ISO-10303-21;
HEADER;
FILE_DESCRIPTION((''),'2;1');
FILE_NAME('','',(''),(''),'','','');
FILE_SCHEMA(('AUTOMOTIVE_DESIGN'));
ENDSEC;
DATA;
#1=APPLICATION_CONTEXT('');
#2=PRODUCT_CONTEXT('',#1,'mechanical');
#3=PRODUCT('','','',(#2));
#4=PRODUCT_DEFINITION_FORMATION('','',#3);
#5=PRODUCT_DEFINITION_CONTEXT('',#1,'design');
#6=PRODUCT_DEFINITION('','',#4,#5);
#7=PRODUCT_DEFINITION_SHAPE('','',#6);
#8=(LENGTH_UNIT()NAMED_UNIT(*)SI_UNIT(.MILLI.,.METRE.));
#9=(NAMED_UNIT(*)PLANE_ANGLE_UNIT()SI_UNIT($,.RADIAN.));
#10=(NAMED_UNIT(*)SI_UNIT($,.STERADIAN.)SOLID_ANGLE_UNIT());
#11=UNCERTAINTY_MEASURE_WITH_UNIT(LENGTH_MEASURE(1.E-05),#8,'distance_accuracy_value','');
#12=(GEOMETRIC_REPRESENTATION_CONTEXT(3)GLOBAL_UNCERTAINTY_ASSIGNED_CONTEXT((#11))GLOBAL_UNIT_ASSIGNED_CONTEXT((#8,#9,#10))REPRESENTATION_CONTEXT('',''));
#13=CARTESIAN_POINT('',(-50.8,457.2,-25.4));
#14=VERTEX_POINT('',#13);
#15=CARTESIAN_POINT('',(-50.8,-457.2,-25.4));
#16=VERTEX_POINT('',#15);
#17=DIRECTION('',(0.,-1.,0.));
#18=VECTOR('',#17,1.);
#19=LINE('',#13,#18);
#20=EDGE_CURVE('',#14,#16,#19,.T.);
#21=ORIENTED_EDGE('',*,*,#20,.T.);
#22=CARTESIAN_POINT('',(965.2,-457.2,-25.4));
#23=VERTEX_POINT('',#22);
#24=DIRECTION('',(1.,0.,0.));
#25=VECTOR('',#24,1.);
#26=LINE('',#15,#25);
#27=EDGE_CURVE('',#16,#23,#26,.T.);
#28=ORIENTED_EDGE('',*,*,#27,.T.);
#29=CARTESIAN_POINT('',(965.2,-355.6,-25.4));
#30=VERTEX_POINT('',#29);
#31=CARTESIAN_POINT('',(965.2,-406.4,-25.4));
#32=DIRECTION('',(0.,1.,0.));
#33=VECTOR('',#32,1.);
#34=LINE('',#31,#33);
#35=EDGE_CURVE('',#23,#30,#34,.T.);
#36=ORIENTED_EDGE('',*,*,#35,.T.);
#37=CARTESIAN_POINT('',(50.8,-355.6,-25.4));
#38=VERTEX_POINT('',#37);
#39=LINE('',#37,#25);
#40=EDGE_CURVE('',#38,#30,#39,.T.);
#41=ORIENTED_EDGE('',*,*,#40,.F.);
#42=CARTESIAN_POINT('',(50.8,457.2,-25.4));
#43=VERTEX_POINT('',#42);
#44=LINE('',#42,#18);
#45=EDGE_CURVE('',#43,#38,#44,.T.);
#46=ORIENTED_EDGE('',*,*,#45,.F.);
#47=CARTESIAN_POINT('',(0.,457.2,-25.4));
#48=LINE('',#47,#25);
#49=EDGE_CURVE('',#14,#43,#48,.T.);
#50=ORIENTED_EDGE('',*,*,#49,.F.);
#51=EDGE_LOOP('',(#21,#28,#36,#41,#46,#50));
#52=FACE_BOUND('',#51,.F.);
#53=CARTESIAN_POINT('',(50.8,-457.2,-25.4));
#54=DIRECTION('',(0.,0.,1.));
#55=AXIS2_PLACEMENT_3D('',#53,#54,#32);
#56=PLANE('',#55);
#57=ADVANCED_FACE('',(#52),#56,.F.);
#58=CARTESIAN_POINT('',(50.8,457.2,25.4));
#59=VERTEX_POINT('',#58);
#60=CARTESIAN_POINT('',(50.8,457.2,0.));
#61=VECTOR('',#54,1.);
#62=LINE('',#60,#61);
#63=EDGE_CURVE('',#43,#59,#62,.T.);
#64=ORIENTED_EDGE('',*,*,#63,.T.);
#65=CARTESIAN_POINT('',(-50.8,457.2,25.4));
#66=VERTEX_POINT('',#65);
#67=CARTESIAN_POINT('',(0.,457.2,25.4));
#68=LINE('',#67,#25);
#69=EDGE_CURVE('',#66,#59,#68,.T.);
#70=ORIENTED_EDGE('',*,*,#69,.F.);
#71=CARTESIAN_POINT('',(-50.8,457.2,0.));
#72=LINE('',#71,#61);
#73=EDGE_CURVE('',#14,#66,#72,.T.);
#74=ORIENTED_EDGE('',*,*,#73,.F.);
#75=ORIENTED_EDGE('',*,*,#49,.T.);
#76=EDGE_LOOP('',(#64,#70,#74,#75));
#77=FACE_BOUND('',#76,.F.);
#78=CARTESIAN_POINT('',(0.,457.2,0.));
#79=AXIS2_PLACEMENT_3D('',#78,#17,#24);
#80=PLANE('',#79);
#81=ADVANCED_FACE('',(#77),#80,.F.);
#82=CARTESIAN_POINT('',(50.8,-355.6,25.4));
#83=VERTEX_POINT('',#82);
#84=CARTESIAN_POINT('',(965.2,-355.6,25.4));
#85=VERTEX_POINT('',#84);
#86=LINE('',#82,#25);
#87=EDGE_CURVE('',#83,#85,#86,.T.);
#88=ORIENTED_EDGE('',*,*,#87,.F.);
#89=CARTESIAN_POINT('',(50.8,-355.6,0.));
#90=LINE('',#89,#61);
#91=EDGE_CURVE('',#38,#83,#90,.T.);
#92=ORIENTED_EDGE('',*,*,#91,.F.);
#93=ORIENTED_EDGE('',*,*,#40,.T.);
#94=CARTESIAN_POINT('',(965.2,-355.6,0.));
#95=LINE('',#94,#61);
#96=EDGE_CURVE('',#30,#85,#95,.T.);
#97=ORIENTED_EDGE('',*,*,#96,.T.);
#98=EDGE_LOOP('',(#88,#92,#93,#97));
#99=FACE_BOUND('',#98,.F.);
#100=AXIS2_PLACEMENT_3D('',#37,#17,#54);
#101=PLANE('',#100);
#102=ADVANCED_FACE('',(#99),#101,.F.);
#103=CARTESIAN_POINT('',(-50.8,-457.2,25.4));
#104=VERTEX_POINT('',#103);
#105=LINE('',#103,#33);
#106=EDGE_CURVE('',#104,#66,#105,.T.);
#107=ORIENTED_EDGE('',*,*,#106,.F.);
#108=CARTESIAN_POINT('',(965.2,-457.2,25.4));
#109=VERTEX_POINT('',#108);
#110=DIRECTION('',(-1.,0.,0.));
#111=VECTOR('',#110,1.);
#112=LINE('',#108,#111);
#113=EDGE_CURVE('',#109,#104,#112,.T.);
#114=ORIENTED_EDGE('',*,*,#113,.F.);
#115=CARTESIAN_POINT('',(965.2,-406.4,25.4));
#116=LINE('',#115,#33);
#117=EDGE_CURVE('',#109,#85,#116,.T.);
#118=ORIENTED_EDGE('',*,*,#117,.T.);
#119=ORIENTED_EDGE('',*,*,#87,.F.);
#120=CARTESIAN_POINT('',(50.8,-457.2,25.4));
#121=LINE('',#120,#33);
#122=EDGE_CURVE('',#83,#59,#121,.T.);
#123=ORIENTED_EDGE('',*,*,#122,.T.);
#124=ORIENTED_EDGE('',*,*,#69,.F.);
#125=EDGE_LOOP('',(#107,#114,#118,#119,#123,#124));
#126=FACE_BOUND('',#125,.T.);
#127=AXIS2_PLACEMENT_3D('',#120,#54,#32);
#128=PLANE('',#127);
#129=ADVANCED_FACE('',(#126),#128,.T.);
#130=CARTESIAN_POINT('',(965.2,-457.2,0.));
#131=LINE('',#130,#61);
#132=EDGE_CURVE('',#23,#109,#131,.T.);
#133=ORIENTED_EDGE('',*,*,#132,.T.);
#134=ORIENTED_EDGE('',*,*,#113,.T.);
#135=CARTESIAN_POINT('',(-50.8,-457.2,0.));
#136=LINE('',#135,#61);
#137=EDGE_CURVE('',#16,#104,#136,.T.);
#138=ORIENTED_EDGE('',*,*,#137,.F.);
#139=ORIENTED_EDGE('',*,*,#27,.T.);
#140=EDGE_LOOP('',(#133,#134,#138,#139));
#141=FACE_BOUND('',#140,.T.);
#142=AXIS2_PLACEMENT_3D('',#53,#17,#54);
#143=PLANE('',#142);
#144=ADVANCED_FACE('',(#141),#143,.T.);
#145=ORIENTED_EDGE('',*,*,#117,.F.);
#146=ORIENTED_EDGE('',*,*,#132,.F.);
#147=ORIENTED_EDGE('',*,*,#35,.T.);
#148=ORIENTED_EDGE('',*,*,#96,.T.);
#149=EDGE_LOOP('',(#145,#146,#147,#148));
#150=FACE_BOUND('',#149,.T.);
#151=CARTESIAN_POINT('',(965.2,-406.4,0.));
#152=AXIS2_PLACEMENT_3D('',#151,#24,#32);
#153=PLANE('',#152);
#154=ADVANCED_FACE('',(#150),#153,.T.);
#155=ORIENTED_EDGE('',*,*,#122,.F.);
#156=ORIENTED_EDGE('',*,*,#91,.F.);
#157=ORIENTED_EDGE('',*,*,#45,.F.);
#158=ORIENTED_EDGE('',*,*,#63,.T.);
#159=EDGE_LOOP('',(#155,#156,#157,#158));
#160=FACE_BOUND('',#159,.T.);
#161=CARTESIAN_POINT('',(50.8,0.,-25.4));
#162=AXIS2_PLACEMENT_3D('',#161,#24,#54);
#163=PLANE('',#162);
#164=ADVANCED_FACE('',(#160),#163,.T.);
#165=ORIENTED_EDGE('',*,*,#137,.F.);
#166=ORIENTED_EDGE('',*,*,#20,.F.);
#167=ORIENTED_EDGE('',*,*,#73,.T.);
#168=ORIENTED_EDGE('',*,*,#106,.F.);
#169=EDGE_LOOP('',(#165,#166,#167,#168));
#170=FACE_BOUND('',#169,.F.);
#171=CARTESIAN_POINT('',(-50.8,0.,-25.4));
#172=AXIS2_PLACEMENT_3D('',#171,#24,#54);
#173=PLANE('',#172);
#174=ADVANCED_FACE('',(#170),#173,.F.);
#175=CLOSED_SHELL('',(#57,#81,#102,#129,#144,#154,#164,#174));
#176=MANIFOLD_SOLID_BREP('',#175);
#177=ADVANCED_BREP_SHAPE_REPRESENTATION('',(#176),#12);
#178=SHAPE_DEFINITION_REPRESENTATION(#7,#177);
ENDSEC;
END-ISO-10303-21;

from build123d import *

# Parameters (mm, degrees)
F0_W     = 101.6
F0_H     = 50.8
F1_DEPTH = 457.2
F2_W     = 101.6
F2_H     = 50.8
F3_DEPTH = 914.4


with BuildPart() as f1:
    # F0 (on Front) → F1 (new body, symmetric)
    with BuildSketch(Plane.XZ):
        Rectangle(F0_W, F0_H)
    extrude(amount=F1_DEPTH, both=True)

    # F2 (on face) → F3 (join)
    with BuildSketch(Plane.YZ.offset(50.8)):
        with Locations((-406.4, 0)):
            Rectangle(F2_W, F2_H)
    extrude(amount=F3_DEPTH)


solid = f1.part
